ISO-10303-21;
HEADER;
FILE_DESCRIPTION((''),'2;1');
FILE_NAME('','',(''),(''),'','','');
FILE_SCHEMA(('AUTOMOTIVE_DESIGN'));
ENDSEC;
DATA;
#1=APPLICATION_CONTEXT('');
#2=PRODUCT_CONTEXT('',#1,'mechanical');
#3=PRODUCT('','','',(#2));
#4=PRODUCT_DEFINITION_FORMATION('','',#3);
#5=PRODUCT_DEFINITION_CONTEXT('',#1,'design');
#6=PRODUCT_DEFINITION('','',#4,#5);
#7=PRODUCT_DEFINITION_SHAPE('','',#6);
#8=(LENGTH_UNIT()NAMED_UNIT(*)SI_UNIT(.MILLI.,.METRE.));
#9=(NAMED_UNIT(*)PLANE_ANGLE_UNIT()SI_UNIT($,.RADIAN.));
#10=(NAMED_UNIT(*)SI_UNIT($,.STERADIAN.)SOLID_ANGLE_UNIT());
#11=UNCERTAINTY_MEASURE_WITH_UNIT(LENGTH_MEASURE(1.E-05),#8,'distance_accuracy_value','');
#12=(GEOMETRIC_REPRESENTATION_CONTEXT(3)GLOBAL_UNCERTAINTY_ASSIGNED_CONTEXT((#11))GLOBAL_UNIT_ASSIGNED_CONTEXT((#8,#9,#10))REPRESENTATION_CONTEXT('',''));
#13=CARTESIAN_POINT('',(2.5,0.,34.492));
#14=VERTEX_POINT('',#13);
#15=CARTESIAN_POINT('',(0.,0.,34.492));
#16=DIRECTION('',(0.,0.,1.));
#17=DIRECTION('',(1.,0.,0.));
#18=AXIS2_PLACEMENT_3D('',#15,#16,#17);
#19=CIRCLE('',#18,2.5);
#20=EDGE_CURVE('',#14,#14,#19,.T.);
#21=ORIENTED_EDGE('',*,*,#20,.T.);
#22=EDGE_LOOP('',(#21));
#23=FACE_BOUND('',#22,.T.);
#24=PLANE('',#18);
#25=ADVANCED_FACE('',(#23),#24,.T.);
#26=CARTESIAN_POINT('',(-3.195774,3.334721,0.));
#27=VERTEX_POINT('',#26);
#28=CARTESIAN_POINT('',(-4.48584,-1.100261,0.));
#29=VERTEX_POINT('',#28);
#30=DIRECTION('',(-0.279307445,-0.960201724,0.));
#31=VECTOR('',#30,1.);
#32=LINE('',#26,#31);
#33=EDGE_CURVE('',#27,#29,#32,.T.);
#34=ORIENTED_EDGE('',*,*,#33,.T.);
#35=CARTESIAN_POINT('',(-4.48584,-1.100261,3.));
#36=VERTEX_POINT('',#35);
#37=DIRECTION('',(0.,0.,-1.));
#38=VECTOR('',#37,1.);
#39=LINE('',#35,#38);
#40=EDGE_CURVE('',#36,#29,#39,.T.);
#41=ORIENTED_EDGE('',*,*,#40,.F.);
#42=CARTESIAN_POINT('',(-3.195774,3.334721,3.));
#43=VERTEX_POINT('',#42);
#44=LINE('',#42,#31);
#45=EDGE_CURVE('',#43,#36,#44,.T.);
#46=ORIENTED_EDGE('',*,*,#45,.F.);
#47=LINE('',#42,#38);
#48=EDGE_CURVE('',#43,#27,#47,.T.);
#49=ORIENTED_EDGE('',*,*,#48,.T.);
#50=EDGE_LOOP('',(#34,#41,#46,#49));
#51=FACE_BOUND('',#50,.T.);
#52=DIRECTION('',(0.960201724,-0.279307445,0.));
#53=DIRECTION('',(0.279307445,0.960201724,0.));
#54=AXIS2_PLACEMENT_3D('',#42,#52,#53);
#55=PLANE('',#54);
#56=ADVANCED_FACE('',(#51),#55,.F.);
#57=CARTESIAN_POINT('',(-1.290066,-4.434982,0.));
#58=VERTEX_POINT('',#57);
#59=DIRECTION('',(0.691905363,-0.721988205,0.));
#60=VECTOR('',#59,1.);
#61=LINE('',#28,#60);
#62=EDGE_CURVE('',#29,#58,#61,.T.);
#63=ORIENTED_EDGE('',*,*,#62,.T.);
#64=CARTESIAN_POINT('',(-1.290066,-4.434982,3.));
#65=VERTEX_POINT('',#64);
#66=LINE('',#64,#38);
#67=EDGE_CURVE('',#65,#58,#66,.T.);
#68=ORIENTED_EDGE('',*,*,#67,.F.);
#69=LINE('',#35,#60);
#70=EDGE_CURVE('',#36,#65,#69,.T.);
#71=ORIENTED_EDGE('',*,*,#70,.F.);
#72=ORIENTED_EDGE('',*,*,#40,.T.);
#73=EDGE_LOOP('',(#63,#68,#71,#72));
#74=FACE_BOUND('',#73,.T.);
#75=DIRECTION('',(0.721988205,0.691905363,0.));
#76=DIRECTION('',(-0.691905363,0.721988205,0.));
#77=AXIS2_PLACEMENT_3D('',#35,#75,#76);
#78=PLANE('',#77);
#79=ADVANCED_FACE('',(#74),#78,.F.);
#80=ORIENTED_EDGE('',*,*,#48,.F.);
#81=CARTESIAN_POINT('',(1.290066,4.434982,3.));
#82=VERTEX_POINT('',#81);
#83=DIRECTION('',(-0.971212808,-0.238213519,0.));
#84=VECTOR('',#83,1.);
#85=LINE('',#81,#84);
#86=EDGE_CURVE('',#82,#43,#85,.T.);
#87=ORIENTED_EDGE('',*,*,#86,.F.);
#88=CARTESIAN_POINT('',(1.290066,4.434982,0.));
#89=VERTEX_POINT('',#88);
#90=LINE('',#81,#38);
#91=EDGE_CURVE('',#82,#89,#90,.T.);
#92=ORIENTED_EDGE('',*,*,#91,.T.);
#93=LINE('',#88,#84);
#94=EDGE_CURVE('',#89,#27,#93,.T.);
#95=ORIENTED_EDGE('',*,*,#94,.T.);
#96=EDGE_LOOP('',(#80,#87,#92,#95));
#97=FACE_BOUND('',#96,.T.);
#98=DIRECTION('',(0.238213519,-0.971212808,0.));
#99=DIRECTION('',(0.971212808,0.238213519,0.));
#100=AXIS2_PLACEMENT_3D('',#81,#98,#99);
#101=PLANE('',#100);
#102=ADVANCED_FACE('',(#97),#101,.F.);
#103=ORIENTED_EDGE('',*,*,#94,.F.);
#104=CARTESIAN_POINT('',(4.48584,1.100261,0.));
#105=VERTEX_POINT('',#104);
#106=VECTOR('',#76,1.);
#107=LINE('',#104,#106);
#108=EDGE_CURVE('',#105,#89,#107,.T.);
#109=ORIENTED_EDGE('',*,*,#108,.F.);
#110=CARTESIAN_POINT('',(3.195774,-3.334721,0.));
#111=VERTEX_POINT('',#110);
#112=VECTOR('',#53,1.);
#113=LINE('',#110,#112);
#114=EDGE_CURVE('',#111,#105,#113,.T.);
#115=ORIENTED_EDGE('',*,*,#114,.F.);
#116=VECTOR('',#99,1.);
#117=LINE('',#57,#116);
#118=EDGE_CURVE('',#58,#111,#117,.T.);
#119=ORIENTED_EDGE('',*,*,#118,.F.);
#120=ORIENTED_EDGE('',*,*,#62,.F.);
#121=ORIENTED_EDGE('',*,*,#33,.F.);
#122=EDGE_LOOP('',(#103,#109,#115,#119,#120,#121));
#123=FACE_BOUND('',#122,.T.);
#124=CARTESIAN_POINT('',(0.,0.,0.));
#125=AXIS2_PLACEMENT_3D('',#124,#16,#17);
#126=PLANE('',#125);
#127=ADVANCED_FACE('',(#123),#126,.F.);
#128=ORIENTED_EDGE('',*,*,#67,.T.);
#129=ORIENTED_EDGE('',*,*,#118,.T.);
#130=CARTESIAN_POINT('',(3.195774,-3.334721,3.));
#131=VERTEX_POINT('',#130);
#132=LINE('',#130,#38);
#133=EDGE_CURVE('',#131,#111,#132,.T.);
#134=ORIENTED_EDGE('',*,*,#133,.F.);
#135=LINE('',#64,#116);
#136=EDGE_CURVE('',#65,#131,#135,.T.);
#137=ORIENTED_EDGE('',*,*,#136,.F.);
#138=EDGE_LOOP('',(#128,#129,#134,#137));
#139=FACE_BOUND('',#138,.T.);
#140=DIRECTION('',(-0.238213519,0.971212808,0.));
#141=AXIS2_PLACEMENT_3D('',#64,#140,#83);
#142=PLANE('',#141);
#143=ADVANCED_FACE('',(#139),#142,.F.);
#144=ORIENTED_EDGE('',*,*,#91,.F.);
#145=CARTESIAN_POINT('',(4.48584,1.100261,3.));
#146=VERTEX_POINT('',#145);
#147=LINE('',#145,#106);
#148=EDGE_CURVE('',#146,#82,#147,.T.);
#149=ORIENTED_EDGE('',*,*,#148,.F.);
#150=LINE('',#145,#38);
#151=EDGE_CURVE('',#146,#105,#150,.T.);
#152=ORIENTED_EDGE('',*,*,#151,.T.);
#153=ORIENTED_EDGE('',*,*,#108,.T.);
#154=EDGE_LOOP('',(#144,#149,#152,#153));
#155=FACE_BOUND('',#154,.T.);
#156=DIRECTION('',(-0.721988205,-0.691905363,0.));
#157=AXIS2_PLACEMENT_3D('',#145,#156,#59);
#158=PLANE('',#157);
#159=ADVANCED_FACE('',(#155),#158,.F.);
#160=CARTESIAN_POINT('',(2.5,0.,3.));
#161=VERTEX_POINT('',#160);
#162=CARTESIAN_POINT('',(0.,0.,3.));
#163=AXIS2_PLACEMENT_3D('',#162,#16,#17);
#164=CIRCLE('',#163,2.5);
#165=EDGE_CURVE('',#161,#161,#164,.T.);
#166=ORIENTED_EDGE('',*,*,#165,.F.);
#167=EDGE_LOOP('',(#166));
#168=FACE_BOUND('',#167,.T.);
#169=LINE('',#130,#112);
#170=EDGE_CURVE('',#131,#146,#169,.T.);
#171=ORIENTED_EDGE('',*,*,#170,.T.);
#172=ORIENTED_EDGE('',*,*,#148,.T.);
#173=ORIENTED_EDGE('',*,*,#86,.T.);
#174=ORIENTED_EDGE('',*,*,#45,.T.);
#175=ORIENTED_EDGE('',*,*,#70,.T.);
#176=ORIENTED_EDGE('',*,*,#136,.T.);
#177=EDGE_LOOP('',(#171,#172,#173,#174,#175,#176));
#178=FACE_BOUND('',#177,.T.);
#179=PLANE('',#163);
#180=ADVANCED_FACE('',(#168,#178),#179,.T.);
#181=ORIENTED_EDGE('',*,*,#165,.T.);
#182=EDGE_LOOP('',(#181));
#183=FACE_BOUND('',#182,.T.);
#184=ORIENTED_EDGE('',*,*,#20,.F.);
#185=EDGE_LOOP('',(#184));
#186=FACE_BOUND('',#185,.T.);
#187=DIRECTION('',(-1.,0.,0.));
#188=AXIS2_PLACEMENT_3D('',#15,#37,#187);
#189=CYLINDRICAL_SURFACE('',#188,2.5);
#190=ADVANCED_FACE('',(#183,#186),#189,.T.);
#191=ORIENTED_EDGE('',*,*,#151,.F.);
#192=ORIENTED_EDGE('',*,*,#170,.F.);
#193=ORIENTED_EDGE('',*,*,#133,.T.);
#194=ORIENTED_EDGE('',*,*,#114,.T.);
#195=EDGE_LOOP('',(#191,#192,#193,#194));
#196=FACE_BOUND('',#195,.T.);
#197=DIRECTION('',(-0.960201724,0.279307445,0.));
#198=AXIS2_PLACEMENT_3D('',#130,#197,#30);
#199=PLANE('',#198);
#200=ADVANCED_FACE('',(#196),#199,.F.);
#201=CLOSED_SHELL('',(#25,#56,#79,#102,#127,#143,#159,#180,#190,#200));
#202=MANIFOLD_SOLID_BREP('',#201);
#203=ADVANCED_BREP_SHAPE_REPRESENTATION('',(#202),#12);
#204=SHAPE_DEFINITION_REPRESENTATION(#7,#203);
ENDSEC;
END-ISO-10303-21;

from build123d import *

# Parameters (mm, degrees)
BOSS_EXTRUDE1_DEPTH = 3
SKETCH2_R           = 2.5
BOSS_EXTRUDE2_DEPTH = 31.492


with BuildPart() as part:
    # Sketch1 → Boss-Extrude1 (new body)
    with BuildSketch(Plane.XY):
        Polygon((-3.195773982, 3.334720677), (-4.485839811, -1.100261115), (-1.29006583, -4.434981791), (3.195773982, -3.334720677), (4.485839811, 1.100261115), (1.29006583, 4.434981791), align=None)
    extrude(amount=BOSS_EXTRUDE1_DEPTH)

    # Sketch2 → Boss-Extrude2 (add)
    with BuildSketch(Plane.XY.offset(3)):
        Circle(SKETCH2_R)
    extrude(amount=BOSS_EXTRUDE2_DEPTH)


solid = part.part
